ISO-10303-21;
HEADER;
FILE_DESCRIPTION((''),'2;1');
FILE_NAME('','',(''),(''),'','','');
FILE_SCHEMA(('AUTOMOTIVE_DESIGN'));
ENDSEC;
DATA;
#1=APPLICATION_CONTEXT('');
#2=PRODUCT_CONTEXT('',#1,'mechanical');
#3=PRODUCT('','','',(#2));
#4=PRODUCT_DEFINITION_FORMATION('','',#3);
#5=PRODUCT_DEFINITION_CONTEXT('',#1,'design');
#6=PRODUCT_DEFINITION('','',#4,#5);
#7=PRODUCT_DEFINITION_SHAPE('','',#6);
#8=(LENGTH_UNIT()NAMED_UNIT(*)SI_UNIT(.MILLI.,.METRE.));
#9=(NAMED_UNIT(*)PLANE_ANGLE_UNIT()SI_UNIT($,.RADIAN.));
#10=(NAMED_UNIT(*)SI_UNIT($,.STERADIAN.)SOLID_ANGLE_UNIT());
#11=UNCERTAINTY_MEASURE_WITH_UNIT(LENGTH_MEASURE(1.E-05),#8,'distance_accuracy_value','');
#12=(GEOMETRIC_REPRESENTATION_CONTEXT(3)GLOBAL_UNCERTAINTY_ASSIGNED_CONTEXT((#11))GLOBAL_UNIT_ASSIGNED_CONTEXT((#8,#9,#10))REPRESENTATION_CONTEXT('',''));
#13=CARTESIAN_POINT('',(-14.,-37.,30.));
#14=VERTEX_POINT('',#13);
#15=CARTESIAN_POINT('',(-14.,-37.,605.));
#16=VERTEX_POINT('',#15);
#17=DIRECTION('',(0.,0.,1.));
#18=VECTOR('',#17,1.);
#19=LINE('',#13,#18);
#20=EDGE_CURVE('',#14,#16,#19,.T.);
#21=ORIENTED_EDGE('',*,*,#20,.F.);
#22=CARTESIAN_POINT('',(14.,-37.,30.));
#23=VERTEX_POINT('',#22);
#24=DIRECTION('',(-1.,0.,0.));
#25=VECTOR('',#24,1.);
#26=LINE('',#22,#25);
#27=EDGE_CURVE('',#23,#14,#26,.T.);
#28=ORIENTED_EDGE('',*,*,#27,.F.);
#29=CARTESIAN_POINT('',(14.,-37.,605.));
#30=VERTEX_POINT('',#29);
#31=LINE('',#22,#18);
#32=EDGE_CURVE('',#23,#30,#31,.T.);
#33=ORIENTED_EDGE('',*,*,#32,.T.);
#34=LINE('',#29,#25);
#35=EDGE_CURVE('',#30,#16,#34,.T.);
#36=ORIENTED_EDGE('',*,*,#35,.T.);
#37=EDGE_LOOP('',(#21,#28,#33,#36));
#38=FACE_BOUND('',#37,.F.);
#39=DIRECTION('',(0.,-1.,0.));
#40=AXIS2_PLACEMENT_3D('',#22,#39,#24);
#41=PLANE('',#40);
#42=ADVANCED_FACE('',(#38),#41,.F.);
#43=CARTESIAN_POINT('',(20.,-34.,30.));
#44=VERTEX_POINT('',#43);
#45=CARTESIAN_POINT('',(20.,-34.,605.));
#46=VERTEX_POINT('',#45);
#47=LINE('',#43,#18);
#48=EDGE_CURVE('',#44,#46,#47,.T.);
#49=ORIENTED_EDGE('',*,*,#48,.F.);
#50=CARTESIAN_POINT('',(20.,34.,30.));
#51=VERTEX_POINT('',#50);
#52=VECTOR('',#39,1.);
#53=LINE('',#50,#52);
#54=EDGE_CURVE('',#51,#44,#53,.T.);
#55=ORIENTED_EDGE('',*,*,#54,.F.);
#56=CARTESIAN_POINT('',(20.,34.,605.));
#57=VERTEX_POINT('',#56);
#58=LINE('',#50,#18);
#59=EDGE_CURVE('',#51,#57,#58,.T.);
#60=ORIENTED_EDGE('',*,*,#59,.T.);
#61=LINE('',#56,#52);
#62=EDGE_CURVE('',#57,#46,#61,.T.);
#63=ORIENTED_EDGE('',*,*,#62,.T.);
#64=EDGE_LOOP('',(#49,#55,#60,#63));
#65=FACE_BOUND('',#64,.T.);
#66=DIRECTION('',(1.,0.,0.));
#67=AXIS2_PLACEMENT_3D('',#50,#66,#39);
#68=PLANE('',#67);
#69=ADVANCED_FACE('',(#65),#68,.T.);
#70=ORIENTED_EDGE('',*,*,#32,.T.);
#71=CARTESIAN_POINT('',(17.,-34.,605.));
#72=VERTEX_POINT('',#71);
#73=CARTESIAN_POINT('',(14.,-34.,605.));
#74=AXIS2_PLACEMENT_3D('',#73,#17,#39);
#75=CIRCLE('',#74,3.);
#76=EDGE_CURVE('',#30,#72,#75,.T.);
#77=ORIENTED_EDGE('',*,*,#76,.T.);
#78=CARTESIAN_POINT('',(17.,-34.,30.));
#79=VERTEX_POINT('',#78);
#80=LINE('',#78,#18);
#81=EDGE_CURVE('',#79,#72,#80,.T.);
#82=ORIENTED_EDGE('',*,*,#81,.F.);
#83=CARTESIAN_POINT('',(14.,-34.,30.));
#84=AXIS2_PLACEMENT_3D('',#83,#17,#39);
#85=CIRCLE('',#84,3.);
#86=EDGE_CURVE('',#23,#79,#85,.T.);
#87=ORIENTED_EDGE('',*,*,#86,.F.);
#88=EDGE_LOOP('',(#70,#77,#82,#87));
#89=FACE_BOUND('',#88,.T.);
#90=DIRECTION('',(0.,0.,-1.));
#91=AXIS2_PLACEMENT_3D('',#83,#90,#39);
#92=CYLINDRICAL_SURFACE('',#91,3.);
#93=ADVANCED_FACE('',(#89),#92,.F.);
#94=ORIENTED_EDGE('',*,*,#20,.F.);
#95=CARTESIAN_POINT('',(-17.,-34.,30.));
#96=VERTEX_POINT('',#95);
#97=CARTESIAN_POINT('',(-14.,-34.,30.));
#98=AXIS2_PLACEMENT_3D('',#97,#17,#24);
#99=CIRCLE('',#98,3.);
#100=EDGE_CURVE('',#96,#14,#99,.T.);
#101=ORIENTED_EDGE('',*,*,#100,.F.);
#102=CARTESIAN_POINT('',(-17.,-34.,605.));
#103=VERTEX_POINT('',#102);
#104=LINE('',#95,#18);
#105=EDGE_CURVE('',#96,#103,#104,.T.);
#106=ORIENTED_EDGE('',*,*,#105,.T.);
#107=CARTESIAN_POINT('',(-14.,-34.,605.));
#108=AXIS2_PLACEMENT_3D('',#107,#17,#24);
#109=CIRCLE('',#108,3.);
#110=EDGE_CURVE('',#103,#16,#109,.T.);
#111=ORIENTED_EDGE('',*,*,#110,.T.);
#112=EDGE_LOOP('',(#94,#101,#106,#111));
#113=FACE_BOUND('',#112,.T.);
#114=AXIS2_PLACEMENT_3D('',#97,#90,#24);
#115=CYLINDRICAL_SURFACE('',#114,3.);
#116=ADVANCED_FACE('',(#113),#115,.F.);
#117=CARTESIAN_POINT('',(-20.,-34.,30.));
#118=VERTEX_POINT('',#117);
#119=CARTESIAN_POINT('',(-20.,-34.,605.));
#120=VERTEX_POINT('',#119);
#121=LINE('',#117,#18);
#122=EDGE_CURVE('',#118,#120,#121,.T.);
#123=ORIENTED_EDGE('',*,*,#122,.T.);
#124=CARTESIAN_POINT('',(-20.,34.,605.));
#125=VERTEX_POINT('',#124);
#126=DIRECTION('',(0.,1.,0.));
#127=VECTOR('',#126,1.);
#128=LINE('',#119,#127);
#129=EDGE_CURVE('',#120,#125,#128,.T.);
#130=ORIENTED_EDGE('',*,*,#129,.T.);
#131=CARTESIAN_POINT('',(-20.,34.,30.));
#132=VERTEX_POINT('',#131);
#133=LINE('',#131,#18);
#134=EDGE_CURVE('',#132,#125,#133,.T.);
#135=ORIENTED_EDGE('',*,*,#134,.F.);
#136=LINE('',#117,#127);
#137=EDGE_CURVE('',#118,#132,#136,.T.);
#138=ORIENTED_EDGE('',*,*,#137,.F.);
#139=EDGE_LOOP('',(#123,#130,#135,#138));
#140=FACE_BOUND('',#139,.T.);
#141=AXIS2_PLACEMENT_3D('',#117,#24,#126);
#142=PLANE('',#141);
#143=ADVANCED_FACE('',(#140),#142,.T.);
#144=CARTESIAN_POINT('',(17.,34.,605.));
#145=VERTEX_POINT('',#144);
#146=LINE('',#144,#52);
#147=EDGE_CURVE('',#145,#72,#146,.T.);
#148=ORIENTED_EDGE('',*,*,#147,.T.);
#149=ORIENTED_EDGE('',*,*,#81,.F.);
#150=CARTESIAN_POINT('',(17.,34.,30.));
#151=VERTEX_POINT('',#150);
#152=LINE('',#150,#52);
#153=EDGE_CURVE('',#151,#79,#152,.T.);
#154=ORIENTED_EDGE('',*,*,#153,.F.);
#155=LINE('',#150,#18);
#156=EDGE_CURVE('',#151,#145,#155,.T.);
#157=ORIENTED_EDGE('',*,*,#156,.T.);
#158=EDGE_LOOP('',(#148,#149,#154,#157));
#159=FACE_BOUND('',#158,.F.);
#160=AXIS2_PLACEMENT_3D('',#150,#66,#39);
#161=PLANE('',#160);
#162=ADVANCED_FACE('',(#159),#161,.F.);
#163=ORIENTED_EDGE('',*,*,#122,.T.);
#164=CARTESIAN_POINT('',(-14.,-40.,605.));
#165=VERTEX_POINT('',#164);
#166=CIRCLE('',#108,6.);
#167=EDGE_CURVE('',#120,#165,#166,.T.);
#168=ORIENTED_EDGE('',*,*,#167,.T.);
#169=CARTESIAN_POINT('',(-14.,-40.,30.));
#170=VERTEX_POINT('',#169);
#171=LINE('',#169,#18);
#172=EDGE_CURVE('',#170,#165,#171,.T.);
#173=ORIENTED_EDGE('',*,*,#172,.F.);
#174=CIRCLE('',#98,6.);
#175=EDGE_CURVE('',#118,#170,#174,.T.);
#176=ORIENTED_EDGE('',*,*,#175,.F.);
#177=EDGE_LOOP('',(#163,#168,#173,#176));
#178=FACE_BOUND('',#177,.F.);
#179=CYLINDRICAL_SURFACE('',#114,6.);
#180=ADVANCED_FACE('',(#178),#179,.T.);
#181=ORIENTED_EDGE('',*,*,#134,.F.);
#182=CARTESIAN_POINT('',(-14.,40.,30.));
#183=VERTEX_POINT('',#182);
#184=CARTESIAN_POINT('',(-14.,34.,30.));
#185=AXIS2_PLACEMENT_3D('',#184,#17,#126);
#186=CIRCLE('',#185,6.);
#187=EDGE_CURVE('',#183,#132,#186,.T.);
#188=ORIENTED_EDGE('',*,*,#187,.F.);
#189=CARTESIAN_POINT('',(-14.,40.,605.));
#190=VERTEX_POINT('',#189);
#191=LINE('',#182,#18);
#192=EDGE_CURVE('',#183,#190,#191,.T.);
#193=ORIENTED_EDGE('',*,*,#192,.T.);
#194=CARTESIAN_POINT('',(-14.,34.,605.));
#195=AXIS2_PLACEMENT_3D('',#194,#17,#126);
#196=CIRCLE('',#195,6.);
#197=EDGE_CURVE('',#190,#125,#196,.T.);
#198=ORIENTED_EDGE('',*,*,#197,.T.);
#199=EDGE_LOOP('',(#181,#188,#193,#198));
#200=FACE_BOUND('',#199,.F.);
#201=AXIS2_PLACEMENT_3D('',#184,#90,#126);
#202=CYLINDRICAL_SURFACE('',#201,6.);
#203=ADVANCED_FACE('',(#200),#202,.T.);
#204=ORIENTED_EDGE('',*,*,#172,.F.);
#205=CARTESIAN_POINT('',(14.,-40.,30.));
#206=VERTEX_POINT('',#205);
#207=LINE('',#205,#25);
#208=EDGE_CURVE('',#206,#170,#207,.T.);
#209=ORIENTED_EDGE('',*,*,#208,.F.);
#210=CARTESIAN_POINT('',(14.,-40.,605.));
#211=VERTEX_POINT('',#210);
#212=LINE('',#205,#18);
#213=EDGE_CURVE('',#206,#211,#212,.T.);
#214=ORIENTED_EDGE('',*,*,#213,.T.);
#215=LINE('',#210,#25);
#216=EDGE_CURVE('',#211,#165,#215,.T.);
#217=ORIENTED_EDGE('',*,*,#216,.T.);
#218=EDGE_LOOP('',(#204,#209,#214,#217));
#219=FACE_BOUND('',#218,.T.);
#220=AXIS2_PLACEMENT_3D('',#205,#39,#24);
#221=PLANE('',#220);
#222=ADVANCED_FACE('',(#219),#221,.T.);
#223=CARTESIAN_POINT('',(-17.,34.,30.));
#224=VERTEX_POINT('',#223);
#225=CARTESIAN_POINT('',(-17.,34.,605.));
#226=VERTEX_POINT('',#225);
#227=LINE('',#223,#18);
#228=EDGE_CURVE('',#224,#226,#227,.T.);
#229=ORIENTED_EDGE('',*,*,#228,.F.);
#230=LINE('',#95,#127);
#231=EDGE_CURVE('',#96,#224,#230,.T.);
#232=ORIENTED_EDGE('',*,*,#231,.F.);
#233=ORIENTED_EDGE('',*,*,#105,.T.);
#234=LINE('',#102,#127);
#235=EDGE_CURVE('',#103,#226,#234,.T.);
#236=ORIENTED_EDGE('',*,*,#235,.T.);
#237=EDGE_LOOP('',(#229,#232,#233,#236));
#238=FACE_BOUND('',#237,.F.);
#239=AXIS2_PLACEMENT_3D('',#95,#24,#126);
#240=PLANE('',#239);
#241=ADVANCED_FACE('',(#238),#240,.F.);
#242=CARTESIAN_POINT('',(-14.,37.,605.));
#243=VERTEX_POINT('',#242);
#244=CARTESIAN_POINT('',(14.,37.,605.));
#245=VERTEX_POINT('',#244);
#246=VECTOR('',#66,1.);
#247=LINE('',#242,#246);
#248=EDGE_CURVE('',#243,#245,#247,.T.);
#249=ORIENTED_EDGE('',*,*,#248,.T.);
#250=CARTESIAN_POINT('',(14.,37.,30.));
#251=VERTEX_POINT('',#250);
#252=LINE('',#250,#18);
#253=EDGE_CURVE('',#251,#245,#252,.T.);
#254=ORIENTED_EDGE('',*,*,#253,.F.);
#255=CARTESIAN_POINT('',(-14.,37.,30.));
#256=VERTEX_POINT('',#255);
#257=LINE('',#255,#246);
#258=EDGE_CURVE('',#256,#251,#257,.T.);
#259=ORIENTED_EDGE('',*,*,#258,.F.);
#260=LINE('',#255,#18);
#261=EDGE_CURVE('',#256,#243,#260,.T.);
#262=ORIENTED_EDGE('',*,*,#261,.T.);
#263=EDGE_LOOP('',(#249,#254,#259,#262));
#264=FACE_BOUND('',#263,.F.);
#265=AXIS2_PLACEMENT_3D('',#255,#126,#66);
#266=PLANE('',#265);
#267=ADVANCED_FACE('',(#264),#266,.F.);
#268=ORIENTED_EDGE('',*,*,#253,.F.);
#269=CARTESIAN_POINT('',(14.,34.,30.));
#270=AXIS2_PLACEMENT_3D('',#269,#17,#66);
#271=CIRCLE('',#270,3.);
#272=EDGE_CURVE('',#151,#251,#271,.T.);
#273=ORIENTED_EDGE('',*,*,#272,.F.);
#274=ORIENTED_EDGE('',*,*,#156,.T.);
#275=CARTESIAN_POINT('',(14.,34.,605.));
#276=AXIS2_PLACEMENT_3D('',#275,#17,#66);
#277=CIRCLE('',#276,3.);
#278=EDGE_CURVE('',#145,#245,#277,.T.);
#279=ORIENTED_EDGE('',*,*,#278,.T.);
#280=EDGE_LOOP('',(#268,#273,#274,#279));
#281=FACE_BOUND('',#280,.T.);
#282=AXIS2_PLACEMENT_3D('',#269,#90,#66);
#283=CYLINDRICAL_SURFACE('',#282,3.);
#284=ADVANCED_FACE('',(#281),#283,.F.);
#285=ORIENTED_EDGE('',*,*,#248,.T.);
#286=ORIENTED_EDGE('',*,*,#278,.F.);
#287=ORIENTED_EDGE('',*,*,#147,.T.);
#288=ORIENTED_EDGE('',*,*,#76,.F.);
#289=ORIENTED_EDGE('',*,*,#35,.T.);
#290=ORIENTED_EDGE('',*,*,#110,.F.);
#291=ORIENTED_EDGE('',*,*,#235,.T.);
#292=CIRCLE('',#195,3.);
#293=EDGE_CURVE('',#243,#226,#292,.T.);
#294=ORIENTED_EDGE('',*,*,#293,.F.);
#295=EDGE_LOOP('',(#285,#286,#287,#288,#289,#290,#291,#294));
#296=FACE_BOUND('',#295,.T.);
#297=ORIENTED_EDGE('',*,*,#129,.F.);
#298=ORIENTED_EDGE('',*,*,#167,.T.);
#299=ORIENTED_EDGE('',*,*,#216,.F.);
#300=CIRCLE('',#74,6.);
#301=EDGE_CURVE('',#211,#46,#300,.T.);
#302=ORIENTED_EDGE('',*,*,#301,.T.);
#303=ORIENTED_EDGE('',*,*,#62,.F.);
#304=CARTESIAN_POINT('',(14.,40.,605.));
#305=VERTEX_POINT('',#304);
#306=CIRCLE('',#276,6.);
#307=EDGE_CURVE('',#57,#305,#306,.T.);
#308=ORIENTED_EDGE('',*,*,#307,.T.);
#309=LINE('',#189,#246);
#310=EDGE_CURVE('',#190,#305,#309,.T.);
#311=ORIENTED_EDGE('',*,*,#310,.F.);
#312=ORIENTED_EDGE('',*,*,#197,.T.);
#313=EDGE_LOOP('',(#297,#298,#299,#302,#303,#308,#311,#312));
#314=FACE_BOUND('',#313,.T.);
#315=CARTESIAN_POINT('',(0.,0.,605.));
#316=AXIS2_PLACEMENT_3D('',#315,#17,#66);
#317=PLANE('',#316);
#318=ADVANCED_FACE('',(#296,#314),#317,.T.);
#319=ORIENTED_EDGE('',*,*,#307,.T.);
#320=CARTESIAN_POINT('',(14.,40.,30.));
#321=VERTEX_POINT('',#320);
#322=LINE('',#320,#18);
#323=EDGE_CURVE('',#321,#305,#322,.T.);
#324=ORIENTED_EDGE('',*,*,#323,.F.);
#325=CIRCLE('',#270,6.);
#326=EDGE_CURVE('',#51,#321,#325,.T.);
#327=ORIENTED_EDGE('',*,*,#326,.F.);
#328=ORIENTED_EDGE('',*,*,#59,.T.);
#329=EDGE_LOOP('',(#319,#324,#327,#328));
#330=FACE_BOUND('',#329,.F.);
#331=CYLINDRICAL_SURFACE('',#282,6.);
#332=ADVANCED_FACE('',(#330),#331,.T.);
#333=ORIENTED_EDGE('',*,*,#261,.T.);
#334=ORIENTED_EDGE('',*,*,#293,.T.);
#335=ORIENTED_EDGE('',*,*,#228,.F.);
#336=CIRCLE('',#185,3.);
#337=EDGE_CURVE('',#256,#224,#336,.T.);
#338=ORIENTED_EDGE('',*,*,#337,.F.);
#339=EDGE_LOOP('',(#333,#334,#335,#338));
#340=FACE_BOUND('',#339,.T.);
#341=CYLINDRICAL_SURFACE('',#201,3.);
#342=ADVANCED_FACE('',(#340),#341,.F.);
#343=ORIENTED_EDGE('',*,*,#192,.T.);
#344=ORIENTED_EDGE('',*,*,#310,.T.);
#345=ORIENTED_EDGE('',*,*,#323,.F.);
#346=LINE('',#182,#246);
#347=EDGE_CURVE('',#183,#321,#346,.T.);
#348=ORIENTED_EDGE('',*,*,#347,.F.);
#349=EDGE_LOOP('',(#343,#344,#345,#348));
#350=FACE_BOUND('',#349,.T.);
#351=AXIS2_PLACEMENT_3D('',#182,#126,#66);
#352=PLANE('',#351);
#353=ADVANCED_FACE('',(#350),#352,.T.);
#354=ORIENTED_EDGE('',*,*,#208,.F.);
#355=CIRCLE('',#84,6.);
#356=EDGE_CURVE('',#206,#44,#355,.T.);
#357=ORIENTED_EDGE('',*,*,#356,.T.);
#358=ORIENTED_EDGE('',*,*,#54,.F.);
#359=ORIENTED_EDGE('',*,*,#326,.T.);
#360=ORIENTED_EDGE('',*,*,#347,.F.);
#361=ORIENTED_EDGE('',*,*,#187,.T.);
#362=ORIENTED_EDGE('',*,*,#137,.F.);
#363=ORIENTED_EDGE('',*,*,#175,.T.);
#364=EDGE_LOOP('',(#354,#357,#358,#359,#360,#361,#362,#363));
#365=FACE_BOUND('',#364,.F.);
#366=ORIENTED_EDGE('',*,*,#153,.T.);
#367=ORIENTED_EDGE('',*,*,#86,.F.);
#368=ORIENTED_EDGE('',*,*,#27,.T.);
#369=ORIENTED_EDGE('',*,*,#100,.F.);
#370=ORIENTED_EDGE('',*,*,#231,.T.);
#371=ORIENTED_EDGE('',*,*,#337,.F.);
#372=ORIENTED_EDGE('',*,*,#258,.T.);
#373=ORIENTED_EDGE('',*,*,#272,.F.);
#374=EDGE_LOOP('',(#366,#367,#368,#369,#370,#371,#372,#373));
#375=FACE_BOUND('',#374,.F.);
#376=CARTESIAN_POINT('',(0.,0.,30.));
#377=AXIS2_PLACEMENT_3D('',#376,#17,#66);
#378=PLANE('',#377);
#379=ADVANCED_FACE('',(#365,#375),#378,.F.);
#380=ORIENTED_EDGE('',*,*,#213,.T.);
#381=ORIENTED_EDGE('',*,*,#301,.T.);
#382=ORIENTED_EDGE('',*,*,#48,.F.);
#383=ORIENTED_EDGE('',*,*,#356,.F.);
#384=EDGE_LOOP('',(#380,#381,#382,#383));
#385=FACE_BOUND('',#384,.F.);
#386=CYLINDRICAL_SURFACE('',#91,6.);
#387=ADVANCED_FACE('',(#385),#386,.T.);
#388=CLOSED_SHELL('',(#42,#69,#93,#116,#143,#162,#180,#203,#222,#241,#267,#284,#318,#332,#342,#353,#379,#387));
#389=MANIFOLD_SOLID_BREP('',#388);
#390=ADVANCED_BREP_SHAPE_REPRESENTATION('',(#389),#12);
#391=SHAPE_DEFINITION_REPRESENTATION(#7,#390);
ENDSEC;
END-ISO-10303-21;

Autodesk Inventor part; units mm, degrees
ref_plane "YZ Plane" through (0, 0, 0) normal (1, 0, 0) x (0, 1, 0)
ref_plane "Start Plane" through (0, 0, 30) normal (0, 0, 1) x (1, 0, 0)
ref_plane "End Plane" through (0, 0, 605) normal (0, 0, 1) x (1, 0, 0)
sketch "Sketch" plane through (0, 0, 0) normal (0, 0, 1) x (1, 0, 0)
  line L0 (-20, -34) -> (-20, 34)
  line L1 (-14, 40) -> (14, 40)
  line L2 (20, 34) -> (20, -34)
  line L3 (14, -40) -> (-14, -40)
  arc A0 (-20, -34) -> (-14, -40) centre (-14, -34) ccw
  arc A1 (20, 34) -> (14, 40) centre (14, 34) ccw
  arc A2 (-14, 40) -> (-20, 34) centre (-14, 34) ccw
  arc A3 (14, -40) -> (20, -34) centre (14, -34) ccw
  arc A4 (-14, 37) -> (-17, 34) centre (-14, 34) ccw
  line L4 (-14, 37) -> (14, 37)
  arc A5 (17, 34) -> (14, 37) centre (14, 34) ccw
  line L5 (17, 34) -> (17, -34)
  arc A6 (14, -37) -> (17, -34) centre (14, -34) ccw
  line L6 (14, -37) -> (-14, -37)
  arc A7 (-17, -34) -> (-14, -37) centre (-14, -34) ccw
  line L7 (-17, -34) -> (-17, 34)
  line L8 (0, 57.7397) -> (0, -57.7397) construction
  line L9 (-29.7397, 0) -> (29.7397, 0) construction
  dimension "d7" = 6
  dimension "d9" = 40
  dimension "d11" = 80
  dimension "d12" = 3
  dimension "d15" = 20
  dimension "d16" = 40
extrude "Body" add sketch "Sketch" along normal up to surface (575 mm away) from surface at 30
sketch "Sketch3" plane through (0, 0, 0) normal (0, 0, 1) x (1, 0, 0)
  line L0 (0, 0) -> (10, 0)
ref_plane "Work Plane3" through (0, 0, 0) normal (0, -1, 0) x (1, 0, 0)
sketch "Sketch4" plane through (0, 0, 0) normal (0, -1, 0) x (1, 0, 0)
  line L0 (-2, 30) -> (12, 30) projected
  line L1 (-2, 605) -> (12, 605) projected
  dimension "d18" = 575
equation "\"d7\" = G_IR"
equation "\"d9\" = G_W"
equation "\"d11\" = G_H"
equation "\"d12\" = G_T"
equation "\"d15\" = 0.5 * d9"
equation "\"d16\" = 0.5 * d11"
equation "\"d3\" = G_L"
equation "\"G_W\" = 40"
equation "\"G_H\" = 80"
equation "\"G_T\" = 3"
equation "\"G_IR\" = 6"
equation "\"G_L\" = d18"
equation "\"d14\" = G_OFFSET_END + B_L"
equation "\"B_L\" = 625"
equation "\"G_OFFSET_END\" = -20"
properties part number "ISO 10799-2 - 80x40x3 - 575" material "Steel, Mild"
